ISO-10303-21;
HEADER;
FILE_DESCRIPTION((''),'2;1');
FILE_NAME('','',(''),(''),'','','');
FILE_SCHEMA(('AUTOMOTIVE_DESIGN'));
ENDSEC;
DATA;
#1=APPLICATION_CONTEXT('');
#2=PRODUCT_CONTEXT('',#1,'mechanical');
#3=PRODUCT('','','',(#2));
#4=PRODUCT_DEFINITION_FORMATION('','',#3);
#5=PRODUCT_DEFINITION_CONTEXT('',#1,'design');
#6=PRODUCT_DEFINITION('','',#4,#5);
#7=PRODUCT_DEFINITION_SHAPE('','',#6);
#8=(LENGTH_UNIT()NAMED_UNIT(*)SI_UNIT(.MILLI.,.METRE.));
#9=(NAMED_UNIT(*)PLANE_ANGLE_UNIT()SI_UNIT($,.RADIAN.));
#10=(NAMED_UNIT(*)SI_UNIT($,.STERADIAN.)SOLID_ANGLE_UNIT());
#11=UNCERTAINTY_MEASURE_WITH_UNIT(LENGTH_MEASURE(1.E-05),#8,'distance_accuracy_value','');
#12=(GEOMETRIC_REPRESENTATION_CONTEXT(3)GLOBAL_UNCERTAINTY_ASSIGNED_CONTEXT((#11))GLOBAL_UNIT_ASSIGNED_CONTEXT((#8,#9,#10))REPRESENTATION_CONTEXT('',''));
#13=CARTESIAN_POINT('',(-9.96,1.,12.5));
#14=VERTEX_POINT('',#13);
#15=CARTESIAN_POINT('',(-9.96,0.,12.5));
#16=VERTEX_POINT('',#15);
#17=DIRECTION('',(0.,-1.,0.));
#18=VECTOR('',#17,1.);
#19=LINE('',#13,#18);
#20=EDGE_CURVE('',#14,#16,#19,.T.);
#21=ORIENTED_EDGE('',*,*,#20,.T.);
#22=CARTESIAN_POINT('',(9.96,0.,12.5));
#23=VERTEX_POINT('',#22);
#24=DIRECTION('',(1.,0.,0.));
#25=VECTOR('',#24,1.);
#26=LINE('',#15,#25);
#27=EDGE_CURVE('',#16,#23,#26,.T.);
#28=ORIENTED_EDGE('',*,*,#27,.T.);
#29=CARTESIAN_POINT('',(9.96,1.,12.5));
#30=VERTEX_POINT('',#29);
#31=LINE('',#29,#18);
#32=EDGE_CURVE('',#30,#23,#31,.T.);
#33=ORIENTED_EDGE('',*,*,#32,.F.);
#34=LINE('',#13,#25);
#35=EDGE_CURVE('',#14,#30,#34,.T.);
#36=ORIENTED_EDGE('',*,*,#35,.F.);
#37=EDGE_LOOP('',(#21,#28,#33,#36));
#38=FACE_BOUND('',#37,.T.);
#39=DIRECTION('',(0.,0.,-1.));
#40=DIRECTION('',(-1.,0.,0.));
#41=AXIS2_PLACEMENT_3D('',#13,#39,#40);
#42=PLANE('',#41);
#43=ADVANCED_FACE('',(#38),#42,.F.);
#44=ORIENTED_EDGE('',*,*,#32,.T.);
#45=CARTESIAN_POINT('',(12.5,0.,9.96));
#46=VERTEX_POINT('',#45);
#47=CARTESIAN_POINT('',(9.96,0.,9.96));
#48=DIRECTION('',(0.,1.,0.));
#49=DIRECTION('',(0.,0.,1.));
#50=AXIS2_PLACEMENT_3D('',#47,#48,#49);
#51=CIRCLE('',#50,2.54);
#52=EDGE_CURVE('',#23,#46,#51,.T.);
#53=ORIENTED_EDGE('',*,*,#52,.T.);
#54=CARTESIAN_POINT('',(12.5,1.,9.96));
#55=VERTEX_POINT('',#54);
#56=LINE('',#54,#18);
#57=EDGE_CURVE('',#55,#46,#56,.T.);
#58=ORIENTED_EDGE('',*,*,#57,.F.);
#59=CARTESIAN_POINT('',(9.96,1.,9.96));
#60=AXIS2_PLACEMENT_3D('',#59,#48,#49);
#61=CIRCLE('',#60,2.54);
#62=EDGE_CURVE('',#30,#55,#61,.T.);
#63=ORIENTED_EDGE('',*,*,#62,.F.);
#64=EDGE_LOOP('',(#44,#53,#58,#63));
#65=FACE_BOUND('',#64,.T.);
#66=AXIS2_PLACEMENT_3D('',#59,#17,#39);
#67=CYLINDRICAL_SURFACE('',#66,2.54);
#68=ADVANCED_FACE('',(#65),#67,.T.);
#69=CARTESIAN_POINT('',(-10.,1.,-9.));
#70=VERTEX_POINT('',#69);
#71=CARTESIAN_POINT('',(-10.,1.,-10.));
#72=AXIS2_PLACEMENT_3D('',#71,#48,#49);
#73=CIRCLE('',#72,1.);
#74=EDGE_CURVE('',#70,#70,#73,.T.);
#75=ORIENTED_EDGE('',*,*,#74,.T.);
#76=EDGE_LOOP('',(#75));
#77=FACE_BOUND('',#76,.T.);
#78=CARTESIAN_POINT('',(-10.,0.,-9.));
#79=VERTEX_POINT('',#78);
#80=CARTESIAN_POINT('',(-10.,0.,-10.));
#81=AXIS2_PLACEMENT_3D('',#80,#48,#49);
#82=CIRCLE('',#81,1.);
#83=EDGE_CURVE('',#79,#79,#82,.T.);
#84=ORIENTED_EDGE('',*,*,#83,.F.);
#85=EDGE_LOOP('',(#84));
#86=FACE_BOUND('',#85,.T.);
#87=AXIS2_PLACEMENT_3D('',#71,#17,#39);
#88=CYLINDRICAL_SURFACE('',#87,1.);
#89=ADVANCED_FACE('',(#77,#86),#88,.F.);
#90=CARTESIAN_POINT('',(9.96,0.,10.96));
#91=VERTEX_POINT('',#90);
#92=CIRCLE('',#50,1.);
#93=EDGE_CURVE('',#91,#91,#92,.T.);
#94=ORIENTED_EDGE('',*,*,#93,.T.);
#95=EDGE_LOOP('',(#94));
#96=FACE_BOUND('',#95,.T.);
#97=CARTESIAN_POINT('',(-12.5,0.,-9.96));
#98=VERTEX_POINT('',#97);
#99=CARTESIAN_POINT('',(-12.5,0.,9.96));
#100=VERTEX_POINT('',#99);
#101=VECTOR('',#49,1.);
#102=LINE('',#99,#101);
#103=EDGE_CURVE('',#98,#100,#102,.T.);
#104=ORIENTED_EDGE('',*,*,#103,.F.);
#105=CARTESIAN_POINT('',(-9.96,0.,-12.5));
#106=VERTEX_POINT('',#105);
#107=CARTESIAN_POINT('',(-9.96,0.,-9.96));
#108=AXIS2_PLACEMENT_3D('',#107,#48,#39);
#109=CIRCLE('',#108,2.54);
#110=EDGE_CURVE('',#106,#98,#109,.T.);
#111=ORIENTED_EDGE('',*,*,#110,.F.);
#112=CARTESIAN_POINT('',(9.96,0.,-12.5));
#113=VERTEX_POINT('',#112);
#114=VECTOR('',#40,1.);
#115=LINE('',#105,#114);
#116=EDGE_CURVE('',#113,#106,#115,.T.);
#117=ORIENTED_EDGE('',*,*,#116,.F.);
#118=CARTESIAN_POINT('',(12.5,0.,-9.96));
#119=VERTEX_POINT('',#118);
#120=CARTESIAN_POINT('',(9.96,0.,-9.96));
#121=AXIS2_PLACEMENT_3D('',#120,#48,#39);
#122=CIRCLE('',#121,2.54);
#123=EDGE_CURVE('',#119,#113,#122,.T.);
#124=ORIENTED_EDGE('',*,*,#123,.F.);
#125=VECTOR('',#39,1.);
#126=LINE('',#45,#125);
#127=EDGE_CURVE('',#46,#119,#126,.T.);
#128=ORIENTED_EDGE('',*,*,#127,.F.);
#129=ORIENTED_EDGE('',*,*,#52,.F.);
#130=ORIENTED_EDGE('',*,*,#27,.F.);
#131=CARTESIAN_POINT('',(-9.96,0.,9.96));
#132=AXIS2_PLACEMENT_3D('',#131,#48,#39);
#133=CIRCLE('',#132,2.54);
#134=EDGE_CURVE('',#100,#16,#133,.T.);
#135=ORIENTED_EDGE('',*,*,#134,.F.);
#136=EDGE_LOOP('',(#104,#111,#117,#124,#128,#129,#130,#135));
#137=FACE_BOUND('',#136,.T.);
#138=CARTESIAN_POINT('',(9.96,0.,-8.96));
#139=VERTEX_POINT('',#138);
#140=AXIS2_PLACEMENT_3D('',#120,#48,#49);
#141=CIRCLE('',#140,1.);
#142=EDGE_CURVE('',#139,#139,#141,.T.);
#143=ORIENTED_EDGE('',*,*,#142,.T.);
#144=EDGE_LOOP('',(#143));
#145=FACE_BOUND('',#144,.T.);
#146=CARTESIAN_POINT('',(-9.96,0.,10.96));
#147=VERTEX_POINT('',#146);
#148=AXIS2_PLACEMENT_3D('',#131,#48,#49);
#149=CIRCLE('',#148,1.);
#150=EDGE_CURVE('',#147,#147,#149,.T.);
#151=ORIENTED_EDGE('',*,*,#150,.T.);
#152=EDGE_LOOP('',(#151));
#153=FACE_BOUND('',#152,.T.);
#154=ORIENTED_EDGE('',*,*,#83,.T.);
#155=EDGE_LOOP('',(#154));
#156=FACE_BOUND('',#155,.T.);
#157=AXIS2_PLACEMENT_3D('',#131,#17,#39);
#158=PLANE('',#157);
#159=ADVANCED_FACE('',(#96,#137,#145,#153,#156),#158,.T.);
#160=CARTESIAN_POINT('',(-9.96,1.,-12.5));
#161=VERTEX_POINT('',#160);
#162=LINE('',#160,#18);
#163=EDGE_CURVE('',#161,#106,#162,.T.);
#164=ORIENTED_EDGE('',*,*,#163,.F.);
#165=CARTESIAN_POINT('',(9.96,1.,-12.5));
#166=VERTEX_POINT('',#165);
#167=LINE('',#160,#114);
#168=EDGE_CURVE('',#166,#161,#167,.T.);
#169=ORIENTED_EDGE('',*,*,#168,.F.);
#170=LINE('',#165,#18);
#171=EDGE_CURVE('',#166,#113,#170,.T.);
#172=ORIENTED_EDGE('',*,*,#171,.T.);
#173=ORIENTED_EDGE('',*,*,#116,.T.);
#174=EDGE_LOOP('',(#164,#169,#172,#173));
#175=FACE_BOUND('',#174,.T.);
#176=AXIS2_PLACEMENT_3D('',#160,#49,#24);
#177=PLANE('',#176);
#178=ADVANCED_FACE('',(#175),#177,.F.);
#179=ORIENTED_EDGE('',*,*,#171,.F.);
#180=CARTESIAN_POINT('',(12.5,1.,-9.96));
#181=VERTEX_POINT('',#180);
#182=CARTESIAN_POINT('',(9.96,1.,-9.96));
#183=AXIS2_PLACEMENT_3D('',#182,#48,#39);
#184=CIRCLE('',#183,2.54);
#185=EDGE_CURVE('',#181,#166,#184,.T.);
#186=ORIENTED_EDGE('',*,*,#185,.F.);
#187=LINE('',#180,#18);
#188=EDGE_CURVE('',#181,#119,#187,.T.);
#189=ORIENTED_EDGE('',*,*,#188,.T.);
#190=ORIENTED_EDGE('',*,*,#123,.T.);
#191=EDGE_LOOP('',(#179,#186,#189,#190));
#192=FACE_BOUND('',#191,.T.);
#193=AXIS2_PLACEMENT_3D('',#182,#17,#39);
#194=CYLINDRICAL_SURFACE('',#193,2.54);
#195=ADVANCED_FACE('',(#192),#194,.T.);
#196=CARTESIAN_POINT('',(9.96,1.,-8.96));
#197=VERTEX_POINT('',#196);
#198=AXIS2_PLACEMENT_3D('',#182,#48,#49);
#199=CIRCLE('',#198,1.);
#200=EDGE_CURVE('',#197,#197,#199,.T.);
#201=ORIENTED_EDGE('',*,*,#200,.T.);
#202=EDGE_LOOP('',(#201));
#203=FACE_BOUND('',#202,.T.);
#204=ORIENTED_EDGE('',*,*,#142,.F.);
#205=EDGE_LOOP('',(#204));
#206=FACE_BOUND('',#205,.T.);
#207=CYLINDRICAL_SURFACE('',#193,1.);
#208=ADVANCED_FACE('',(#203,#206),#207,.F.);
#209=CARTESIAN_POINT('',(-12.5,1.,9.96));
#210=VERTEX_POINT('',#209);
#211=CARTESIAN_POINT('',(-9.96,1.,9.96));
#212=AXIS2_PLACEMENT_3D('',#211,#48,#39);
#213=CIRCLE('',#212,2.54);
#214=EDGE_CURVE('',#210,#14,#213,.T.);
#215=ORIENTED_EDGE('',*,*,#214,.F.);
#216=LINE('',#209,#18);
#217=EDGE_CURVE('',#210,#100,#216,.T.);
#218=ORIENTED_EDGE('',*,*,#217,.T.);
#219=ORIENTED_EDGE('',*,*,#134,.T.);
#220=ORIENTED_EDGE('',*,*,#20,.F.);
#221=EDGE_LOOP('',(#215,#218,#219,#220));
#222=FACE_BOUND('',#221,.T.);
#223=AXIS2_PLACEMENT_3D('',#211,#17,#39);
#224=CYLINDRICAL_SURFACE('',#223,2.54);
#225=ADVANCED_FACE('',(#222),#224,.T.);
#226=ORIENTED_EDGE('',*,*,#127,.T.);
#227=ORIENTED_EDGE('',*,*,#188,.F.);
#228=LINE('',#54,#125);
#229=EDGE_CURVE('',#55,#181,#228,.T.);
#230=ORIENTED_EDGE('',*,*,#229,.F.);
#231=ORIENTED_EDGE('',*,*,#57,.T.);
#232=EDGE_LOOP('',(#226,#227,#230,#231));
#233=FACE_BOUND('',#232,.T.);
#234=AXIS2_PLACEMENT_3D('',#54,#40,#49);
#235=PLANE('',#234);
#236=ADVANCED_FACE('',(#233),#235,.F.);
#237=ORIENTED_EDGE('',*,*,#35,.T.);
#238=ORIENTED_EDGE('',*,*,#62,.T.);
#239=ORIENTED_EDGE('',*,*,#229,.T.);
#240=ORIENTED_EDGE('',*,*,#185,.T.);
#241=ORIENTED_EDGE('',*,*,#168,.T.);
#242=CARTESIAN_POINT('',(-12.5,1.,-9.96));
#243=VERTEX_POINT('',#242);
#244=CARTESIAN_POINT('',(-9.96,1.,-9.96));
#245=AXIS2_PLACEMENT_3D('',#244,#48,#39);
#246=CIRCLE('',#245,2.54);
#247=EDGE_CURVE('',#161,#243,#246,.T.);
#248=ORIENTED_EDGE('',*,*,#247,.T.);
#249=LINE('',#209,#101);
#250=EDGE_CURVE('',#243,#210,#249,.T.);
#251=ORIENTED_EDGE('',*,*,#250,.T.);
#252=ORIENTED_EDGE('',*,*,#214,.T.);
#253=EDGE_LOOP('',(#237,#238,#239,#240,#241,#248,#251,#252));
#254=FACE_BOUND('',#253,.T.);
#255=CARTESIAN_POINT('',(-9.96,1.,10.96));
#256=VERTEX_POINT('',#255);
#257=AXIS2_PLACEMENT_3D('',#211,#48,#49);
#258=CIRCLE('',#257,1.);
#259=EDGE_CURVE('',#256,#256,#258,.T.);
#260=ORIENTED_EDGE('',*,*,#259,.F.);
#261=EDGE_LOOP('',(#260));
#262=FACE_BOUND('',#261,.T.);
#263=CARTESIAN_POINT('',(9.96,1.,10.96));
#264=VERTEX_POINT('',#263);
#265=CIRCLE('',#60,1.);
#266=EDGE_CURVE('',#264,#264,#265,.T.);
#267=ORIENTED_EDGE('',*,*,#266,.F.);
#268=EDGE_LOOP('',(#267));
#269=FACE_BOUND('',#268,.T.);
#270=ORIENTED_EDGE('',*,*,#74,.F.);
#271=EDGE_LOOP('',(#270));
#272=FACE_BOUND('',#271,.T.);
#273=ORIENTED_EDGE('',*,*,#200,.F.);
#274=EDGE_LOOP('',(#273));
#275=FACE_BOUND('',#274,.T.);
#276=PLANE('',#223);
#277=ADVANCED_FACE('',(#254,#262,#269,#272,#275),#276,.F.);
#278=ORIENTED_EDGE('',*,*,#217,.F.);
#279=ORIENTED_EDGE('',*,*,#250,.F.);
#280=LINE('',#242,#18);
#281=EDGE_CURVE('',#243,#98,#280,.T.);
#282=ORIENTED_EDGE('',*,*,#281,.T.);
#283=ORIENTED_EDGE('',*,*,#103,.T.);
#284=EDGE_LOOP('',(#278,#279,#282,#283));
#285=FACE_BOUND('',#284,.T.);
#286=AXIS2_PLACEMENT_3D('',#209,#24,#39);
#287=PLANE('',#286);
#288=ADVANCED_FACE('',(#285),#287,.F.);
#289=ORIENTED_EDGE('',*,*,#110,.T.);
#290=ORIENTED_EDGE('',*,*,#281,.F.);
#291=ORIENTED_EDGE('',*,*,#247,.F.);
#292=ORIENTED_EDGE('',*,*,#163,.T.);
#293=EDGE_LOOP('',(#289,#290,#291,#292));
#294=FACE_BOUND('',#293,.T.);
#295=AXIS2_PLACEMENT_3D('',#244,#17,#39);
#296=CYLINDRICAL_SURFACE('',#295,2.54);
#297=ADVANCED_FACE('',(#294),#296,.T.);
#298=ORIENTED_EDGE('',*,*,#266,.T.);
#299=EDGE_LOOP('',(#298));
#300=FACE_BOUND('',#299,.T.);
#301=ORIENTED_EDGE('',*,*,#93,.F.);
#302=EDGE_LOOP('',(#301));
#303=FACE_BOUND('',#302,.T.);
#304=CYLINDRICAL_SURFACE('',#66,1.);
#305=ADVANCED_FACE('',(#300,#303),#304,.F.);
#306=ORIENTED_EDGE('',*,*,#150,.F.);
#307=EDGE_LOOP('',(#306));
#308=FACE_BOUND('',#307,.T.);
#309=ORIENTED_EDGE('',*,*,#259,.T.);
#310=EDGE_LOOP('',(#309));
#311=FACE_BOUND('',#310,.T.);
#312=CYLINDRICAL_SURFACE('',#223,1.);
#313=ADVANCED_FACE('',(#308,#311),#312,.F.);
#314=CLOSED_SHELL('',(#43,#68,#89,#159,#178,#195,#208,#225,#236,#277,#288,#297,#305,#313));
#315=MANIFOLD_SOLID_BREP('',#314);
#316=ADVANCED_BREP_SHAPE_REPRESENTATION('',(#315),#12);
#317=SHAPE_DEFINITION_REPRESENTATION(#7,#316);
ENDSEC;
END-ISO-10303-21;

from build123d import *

# Parameters (mm, degrees)
SKETCH1_R           = 1
BOSS_EXTRUDE1_DEPTH = 1


with BuildPart() as part:
    # Sketch1 → Boss-Extrude1 (new body)
    with BuildSketch(Plane(origin=(0, 0, 0), x_dir=(1, 0, 0), z_dir=(0, 1, 0))):
        with BuildLine():
            Line((-9.96, -12.5), (9.96, -12.5))
            ThreePointArc((9.96, -12.5), (11.756051224, -11.756051224), (12.5, -9.96))
            Line((12.5, -9.96), (12.5, 9.96))
            ThreePointArc((12.5, 9.96), (11.756051224, 11.756051224), (9.96, 12.5))
            Line((9.96, 12.5), (-9.96, 12.5))
            ThreePointArc((-9.96, 12.5), (-11.756051224, 11.756051224), (-12.5, 9.96))
            Line((-12.5, 9.96), (-12.5, -9.96))
            ThreePointArc((-12.5, -9.96), (-11.756051224, -11.756051224), (-9.96, -12.5))
        make_face()
        with Locations((-10, 10)):
            Circle(SKETCH1_R, mode=Mode.SUBTRACT)
        with Locations((9.96, 9.96)):
            Circle(SKETCH1_R, mode=Mode.SUBTRACT)
        with Locations((9.96, -9.96)):
            Circle(SKETCH1_R, mode=Mode.SUBTRACT)
        with Locations((-9.96, -9.96)):
            Circle(SKETCH1_R, mode=Mode.SUBTRACT)
    extrude(amount=BOSS_EXTRUDE1_DEPTH)


solid = part.part
